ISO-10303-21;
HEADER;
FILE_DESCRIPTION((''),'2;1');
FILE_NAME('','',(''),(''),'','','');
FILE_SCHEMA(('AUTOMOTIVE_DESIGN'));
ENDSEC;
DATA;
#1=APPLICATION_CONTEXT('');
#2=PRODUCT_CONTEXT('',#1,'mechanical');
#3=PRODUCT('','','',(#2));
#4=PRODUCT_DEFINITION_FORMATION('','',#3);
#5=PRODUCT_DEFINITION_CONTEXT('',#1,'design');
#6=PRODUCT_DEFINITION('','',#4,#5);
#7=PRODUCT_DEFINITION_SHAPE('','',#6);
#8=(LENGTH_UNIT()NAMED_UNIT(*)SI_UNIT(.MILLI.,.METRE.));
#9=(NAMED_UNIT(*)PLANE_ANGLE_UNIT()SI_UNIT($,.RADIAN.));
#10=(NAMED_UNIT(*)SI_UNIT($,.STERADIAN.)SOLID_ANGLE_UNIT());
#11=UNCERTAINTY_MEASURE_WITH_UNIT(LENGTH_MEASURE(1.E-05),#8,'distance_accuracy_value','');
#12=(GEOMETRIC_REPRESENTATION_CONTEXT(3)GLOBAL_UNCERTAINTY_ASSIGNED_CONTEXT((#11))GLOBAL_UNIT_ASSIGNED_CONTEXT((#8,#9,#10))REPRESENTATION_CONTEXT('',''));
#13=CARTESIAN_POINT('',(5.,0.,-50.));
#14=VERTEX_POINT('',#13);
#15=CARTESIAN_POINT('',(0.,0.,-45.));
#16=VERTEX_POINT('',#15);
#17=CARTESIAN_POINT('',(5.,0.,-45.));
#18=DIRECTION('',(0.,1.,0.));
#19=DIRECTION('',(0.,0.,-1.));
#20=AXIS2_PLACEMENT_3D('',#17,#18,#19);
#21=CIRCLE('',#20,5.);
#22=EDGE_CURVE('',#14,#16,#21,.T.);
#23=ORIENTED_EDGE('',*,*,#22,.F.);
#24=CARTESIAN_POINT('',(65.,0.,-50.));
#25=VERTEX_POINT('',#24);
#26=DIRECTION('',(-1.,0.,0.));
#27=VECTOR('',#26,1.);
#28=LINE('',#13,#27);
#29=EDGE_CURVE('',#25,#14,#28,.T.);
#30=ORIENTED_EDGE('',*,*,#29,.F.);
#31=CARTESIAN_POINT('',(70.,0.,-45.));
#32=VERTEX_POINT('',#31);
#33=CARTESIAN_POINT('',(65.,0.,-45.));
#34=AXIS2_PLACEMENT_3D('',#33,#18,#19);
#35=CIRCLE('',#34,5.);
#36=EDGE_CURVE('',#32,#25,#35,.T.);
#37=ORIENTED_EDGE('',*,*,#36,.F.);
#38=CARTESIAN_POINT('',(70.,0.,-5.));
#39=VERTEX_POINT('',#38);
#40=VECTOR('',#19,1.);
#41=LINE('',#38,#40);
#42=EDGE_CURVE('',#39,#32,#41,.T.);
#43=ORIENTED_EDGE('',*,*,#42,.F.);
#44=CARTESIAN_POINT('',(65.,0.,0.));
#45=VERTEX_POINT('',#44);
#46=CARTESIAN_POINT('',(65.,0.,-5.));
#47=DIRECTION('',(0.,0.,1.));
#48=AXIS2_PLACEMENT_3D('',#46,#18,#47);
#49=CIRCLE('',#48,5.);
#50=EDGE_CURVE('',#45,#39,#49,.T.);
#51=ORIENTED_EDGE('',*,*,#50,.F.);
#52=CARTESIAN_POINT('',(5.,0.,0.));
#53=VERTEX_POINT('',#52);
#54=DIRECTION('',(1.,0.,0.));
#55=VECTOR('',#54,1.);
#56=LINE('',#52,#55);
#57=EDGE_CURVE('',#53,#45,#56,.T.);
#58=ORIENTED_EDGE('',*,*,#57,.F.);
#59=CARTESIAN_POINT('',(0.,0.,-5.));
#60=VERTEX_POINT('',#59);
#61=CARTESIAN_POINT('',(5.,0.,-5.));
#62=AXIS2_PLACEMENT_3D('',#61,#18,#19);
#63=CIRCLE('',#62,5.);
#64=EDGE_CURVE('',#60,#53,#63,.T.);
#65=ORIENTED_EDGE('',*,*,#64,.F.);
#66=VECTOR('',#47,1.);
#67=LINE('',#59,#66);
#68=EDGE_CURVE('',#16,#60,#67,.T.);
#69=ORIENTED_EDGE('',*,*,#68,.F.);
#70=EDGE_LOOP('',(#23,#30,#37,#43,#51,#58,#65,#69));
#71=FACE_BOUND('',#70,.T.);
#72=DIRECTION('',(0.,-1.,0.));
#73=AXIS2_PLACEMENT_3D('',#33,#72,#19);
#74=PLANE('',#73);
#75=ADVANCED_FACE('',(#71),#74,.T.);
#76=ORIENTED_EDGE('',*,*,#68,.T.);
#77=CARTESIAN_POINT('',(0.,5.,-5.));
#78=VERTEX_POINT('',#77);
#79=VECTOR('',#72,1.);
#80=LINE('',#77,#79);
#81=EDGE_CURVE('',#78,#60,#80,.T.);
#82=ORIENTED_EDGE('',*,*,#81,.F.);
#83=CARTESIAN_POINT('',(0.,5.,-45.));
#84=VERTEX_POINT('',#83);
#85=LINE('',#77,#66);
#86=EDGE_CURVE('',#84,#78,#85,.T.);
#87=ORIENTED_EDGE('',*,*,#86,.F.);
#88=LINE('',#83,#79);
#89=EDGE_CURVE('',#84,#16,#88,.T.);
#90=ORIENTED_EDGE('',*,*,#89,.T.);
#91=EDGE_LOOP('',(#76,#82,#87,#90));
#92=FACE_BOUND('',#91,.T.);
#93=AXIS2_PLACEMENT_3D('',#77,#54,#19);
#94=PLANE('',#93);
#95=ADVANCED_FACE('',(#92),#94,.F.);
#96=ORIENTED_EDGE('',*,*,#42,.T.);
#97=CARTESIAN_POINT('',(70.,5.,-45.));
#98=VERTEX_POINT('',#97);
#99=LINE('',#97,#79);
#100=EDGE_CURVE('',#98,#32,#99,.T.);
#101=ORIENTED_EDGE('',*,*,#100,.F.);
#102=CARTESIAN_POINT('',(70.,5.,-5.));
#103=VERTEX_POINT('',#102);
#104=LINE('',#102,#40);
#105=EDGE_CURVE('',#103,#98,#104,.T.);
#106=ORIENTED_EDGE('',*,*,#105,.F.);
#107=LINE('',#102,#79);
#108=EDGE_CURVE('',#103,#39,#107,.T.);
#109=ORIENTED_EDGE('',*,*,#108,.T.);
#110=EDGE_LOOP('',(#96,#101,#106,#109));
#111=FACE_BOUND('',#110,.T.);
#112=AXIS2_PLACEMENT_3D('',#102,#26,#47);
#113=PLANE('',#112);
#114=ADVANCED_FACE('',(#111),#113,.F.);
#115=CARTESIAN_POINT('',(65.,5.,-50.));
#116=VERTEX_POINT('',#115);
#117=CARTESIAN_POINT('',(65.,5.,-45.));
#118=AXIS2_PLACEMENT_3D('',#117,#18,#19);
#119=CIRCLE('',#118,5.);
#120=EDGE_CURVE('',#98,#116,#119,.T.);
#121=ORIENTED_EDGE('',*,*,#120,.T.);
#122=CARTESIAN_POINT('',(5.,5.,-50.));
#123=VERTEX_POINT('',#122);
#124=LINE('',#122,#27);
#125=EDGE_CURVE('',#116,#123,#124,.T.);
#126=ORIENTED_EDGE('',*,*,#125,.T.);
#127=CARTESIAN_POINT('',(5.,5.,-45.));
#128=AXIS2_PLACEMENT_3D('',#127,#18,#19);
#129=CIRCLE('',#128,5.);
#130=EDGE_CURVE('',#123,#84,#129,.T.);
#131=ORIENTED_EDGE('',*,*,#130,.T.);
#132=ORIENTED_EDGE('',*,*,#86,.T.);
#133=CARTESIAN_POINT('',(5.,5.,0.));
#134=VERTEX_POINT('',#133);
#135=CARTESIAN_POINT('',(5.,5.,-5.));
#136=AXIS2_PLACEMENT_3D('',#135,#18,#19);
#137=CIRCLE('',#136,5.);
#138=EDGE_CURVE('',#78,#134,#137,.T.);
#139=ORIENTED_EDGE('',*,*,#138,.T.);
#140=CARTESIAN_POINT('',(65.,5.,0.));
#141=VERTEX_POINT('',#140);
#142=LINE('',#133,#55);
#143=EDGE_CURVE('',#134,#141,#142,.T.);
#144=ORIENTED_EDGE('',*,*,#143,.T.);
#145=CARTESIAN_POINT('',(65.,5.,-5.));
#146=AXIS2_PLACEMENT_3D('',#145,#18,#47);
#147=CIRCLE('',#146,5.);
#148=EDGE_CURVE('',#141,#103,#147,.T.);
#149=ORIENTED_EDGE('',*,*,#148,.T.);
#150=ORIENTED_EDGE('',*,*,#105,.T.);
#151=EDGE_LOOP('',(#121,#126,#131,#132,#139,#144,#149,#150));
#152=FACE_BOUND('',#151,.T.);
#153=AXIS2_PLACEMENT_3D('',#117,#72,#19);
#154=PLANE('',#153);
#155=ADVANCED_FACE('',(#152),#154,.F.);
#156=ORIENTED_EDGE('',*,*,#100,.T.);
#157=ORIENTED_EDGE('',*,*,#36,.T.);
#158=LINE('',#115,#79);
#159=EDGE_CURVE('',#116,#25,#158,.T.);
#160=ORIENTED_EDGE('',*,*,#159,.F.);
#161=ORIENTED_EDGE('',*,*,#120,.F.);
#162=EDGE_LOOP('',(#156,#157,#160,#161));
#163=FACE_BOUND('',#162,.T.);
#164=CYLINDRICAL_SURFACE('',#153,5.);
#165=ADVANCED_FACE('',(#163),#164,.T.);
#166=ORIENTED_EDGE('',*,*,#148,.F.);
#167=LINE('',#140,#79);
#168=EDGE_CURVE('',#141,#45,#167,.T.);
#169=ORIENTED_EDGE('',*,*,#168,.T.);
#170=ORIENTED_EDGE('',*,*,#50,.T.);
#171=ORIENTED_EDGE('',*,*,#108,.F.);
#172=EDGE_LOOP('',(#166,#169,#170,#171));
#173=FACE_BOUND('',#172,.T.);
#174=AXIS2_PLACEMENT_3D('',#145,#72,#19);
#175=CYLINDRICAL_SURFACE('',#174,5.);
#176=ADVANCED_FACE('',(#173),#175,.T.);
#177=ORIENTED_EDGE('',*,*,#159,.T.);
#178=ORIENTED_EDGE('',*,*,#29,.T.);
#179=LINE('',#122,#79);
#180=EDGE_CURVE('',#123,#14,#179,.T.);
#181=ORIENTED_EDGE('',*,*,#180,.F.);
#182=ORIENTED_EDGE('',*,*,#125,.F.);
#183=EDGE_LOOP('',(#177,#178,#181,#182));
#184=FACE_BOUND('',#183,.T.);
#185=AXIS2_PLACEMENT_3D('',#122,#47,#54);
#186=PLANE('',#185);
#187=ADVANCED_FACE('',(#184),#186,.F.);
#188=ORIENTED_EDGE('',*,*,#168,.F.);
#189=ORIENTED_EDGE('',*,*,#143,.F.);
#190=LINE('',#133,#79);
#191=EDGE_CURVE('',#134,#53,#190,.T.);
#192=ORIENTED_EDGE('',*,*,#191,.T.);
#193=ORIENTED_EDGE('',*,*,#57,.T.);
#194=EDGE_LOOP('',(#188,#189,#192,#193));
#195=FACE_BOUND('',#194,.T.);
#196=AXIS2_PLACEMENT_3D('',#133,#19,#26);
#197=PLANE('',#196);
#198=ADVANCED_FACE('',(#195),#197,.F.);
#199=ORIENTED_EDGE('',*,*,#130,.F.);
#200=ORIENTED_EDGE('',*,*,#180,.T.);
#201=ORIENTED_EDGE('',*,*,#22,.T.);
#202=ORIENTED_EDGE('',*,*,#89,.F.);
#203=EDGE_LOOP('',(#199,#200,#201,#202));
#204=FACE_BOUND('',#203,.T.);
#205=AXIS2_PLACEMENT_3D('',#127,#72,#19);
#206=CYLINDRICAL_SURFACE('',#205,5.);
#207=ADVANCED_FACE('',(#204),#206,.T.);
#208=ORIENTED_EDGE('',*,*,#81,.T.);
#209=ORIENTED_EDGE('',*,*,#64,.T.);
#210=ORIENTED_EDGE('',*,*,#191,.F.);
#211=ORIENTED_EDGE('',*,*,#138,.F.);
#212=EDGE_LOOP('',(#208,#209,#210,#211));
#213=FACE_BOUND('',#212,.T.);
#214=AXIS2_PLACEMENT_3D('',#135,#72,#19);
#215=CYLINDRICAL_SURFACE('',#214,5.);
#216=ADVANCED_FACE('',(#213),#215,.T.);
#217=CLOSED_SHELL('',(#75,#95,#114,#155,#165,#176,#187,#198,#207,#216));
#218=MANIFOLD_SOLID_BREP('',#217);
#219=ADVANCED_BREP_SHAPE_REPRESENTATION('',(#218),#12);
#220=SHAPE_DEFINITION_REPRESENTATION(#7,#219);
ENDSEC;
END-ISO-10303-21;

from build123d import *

# Parameters (mm, degrees)
BOSS_EXTRUDE1_DEPTH = 5


with BuildPart() as part:
    # Sketch1 → Boss-Extrude1 (new body)
    with BuildSketch(Plane(origin=(0, 0, 0), x_dir=(1, 0, 0), z_dir=(0, 1, 0))):
        with BuildLine():
            Line((5, 0), (65, 0))
            ThreePointArc((65, 0), (68.535533906, 1.464466094), (70, 5))
            Line((70, 5), (70, 45))
            ThreePointArc((70, 45), (68.535533906, 48.535533906), (65, 50))
            Line((65, 50), (5, 50))
            ThreePointArc((5, 50), (1.464466094, 48.535533906), (0, 45))
            Line((0, 45), (0, 5))
            ThreePointArc((0, 5), (1.464466094, 1.464466094), (5, 0))
        make_face()
    extrude(amount=BOSS_EXTRUDE1_DEPTH)


solid = part.part
